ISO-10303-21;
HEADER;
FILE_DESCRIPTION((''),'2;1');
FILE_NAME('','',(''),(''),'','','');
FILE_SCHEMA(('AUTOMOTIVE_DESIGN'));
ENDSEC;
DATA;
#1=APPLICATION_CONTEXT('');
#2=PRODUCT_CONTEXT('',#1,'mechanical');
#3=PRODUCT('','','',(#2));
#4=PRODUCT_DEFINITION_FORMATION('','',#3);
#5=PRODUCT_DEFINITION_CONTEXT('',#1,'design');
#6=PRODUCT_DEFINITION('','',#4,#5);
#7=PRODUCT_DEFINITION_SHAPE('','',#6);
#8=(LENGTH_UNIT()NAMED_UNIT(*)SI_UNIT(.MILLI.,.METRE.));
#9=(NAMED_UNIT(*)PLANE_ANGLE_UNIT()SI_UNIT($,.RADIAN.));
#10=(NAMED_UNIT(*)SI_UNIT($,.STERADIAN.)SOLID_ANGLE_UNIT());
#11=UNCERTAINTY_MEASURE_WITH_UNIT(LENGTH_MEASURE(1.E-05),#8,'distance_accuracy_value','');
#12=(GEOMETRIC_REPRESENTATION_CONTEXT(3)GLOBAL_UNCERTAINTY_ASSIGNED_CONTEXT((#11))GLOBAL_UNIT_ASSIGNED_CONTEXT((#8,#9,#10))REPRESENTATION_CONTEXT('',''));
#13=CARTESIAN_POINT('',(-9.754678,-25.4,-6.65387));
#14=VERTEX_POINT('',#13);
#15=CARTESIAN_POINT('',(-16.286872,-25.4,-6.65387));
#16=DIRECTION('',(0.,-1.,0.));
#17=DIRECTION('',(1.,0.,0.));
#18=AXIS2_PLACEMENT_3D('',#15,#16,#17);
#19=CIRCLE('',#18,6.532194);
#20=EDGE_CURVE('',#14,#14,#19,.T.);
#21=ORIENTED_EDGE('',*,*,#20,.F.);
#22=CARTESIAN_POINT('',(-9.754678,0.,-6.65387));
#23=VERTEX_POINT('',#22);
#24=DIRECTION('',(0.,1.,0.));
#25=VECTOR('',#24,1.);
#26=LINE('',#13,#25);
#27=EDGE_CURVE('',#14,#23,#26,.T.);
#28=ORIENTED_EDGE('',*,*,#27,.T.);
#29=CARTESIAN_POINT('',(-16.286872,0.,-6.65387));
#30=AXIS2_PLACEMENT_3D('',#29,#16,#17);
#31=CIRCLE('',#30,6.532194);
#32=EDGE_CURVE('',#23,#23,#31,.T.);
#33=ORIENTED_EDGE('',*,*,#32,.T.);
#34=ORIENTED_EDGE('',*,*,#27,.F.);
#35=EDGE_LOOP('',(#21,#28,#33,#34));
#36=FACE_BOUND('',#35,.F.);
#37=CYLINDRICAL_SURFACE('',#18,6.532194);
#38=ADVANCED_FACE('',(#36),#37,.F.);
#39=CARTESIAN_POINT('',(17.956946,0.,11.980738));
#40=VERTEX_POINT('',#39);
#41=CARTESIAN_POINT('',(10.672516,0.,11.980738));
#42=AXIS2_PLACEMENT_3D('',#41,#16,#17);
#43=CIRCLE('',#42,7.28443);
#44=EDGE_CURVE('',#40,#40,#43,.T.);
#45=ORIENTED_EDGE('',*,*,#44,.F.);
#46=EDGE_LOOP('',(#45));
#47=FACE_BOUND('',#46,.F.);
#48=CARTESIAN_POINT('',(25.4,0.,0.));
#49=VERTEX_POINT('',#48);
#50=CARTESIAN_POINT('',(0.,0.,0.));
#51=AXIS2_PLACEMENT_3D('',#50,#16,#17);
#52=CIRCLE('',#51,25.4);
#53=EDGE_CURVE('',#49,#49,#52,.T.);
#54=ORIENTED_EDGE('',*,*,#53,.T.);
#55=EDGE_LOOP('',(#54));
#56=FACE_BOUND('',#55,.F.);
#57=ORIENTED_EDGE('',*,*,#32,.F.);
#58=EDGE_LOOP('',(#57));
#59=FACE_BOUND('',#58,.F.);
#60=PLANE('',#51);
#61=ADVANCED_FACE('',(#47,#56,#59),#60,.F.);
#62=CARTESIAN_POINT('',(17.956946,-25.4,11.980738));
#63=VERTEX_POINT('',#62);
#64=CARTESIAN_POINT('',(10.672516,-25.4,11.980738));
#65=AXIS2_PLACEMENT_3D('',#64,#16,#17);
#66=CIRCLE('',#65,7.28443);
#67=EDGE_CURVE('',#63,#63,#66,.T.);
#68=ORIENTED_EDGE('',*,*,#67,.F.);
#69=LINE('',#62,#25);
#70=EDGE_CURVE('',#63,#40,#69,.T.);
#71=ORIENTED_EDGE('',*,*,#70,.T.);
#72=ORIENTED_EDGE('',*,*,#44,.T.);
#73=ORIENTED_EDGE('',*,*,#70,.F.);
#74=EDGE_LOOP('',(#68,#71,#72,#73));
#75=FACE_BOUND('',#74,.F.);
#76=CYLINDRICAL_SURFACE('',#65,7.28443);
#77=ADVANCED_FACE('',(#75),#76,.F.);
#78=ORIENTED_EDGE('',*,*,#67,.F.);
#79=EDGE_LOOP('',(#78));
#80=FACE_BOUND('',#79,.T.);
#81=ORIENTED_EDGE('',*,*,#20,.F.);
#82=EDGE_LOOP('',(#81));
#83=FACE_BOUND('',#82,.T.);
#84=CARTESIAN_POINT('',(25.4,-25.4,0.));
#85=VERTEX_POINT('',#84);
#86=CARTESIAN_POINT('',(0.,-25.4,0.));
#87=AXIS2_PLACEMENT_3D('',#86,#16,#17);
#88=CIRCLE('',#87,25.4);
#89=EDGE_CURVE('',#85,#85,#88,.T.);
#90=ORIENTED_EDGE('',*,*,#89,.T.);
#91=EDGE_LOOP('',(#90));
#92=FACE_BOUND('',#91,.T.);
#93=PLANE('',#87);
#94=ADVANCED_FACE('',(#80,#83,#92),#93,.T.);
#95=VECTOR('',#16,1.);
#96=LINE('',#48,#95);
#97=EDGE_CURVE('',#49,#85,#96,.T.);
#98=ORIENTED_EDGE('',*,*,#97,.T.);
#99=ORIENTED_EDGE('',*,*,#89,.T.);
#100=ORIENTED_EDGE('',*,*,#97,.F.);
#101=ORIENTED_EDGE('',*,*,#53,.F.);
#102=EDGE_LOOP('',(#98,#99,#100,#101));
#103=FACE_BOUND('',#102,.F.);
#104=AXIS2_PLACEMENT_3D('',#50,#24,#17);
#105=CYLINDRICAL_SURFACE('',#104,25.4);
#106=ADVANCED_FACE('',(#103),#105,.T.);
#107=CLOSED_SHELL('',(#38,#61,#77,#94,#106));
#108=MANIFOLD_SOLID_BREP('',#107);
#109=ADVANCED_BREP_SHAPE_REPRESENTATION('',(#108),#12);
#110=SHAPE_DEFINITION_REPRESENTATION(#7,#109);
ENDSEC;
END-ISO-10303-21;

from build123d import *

# Parameters (mm, degrees)
F0_R     = 25.4
F1_DEPTH = 25.4
F2_R     = 6.532194
F2_R_2   = 7.28443
F3_DEPTH = 25.4


with BuildPart() as f1:
    # F0 (on Front) → F1 (new body)
    with BuildSketch(Plane.XZ):
        Circle(F0_R)
    extrude(amount=F1_DEPTH)

    # F2 (on face) → F3 (cut)
    with BuildSketch(Plane.XZ.offset(25.4)):
        with Locations((-16.286872, -6.65387)):
            Circle(F2_R)
        with Locations((10.672516, 11.980738)):
            Circle(F2_R_2)
    extrude(amount=-F3_DEPTH, mode=Mode.SUBTRACT)


solid = f1.part
